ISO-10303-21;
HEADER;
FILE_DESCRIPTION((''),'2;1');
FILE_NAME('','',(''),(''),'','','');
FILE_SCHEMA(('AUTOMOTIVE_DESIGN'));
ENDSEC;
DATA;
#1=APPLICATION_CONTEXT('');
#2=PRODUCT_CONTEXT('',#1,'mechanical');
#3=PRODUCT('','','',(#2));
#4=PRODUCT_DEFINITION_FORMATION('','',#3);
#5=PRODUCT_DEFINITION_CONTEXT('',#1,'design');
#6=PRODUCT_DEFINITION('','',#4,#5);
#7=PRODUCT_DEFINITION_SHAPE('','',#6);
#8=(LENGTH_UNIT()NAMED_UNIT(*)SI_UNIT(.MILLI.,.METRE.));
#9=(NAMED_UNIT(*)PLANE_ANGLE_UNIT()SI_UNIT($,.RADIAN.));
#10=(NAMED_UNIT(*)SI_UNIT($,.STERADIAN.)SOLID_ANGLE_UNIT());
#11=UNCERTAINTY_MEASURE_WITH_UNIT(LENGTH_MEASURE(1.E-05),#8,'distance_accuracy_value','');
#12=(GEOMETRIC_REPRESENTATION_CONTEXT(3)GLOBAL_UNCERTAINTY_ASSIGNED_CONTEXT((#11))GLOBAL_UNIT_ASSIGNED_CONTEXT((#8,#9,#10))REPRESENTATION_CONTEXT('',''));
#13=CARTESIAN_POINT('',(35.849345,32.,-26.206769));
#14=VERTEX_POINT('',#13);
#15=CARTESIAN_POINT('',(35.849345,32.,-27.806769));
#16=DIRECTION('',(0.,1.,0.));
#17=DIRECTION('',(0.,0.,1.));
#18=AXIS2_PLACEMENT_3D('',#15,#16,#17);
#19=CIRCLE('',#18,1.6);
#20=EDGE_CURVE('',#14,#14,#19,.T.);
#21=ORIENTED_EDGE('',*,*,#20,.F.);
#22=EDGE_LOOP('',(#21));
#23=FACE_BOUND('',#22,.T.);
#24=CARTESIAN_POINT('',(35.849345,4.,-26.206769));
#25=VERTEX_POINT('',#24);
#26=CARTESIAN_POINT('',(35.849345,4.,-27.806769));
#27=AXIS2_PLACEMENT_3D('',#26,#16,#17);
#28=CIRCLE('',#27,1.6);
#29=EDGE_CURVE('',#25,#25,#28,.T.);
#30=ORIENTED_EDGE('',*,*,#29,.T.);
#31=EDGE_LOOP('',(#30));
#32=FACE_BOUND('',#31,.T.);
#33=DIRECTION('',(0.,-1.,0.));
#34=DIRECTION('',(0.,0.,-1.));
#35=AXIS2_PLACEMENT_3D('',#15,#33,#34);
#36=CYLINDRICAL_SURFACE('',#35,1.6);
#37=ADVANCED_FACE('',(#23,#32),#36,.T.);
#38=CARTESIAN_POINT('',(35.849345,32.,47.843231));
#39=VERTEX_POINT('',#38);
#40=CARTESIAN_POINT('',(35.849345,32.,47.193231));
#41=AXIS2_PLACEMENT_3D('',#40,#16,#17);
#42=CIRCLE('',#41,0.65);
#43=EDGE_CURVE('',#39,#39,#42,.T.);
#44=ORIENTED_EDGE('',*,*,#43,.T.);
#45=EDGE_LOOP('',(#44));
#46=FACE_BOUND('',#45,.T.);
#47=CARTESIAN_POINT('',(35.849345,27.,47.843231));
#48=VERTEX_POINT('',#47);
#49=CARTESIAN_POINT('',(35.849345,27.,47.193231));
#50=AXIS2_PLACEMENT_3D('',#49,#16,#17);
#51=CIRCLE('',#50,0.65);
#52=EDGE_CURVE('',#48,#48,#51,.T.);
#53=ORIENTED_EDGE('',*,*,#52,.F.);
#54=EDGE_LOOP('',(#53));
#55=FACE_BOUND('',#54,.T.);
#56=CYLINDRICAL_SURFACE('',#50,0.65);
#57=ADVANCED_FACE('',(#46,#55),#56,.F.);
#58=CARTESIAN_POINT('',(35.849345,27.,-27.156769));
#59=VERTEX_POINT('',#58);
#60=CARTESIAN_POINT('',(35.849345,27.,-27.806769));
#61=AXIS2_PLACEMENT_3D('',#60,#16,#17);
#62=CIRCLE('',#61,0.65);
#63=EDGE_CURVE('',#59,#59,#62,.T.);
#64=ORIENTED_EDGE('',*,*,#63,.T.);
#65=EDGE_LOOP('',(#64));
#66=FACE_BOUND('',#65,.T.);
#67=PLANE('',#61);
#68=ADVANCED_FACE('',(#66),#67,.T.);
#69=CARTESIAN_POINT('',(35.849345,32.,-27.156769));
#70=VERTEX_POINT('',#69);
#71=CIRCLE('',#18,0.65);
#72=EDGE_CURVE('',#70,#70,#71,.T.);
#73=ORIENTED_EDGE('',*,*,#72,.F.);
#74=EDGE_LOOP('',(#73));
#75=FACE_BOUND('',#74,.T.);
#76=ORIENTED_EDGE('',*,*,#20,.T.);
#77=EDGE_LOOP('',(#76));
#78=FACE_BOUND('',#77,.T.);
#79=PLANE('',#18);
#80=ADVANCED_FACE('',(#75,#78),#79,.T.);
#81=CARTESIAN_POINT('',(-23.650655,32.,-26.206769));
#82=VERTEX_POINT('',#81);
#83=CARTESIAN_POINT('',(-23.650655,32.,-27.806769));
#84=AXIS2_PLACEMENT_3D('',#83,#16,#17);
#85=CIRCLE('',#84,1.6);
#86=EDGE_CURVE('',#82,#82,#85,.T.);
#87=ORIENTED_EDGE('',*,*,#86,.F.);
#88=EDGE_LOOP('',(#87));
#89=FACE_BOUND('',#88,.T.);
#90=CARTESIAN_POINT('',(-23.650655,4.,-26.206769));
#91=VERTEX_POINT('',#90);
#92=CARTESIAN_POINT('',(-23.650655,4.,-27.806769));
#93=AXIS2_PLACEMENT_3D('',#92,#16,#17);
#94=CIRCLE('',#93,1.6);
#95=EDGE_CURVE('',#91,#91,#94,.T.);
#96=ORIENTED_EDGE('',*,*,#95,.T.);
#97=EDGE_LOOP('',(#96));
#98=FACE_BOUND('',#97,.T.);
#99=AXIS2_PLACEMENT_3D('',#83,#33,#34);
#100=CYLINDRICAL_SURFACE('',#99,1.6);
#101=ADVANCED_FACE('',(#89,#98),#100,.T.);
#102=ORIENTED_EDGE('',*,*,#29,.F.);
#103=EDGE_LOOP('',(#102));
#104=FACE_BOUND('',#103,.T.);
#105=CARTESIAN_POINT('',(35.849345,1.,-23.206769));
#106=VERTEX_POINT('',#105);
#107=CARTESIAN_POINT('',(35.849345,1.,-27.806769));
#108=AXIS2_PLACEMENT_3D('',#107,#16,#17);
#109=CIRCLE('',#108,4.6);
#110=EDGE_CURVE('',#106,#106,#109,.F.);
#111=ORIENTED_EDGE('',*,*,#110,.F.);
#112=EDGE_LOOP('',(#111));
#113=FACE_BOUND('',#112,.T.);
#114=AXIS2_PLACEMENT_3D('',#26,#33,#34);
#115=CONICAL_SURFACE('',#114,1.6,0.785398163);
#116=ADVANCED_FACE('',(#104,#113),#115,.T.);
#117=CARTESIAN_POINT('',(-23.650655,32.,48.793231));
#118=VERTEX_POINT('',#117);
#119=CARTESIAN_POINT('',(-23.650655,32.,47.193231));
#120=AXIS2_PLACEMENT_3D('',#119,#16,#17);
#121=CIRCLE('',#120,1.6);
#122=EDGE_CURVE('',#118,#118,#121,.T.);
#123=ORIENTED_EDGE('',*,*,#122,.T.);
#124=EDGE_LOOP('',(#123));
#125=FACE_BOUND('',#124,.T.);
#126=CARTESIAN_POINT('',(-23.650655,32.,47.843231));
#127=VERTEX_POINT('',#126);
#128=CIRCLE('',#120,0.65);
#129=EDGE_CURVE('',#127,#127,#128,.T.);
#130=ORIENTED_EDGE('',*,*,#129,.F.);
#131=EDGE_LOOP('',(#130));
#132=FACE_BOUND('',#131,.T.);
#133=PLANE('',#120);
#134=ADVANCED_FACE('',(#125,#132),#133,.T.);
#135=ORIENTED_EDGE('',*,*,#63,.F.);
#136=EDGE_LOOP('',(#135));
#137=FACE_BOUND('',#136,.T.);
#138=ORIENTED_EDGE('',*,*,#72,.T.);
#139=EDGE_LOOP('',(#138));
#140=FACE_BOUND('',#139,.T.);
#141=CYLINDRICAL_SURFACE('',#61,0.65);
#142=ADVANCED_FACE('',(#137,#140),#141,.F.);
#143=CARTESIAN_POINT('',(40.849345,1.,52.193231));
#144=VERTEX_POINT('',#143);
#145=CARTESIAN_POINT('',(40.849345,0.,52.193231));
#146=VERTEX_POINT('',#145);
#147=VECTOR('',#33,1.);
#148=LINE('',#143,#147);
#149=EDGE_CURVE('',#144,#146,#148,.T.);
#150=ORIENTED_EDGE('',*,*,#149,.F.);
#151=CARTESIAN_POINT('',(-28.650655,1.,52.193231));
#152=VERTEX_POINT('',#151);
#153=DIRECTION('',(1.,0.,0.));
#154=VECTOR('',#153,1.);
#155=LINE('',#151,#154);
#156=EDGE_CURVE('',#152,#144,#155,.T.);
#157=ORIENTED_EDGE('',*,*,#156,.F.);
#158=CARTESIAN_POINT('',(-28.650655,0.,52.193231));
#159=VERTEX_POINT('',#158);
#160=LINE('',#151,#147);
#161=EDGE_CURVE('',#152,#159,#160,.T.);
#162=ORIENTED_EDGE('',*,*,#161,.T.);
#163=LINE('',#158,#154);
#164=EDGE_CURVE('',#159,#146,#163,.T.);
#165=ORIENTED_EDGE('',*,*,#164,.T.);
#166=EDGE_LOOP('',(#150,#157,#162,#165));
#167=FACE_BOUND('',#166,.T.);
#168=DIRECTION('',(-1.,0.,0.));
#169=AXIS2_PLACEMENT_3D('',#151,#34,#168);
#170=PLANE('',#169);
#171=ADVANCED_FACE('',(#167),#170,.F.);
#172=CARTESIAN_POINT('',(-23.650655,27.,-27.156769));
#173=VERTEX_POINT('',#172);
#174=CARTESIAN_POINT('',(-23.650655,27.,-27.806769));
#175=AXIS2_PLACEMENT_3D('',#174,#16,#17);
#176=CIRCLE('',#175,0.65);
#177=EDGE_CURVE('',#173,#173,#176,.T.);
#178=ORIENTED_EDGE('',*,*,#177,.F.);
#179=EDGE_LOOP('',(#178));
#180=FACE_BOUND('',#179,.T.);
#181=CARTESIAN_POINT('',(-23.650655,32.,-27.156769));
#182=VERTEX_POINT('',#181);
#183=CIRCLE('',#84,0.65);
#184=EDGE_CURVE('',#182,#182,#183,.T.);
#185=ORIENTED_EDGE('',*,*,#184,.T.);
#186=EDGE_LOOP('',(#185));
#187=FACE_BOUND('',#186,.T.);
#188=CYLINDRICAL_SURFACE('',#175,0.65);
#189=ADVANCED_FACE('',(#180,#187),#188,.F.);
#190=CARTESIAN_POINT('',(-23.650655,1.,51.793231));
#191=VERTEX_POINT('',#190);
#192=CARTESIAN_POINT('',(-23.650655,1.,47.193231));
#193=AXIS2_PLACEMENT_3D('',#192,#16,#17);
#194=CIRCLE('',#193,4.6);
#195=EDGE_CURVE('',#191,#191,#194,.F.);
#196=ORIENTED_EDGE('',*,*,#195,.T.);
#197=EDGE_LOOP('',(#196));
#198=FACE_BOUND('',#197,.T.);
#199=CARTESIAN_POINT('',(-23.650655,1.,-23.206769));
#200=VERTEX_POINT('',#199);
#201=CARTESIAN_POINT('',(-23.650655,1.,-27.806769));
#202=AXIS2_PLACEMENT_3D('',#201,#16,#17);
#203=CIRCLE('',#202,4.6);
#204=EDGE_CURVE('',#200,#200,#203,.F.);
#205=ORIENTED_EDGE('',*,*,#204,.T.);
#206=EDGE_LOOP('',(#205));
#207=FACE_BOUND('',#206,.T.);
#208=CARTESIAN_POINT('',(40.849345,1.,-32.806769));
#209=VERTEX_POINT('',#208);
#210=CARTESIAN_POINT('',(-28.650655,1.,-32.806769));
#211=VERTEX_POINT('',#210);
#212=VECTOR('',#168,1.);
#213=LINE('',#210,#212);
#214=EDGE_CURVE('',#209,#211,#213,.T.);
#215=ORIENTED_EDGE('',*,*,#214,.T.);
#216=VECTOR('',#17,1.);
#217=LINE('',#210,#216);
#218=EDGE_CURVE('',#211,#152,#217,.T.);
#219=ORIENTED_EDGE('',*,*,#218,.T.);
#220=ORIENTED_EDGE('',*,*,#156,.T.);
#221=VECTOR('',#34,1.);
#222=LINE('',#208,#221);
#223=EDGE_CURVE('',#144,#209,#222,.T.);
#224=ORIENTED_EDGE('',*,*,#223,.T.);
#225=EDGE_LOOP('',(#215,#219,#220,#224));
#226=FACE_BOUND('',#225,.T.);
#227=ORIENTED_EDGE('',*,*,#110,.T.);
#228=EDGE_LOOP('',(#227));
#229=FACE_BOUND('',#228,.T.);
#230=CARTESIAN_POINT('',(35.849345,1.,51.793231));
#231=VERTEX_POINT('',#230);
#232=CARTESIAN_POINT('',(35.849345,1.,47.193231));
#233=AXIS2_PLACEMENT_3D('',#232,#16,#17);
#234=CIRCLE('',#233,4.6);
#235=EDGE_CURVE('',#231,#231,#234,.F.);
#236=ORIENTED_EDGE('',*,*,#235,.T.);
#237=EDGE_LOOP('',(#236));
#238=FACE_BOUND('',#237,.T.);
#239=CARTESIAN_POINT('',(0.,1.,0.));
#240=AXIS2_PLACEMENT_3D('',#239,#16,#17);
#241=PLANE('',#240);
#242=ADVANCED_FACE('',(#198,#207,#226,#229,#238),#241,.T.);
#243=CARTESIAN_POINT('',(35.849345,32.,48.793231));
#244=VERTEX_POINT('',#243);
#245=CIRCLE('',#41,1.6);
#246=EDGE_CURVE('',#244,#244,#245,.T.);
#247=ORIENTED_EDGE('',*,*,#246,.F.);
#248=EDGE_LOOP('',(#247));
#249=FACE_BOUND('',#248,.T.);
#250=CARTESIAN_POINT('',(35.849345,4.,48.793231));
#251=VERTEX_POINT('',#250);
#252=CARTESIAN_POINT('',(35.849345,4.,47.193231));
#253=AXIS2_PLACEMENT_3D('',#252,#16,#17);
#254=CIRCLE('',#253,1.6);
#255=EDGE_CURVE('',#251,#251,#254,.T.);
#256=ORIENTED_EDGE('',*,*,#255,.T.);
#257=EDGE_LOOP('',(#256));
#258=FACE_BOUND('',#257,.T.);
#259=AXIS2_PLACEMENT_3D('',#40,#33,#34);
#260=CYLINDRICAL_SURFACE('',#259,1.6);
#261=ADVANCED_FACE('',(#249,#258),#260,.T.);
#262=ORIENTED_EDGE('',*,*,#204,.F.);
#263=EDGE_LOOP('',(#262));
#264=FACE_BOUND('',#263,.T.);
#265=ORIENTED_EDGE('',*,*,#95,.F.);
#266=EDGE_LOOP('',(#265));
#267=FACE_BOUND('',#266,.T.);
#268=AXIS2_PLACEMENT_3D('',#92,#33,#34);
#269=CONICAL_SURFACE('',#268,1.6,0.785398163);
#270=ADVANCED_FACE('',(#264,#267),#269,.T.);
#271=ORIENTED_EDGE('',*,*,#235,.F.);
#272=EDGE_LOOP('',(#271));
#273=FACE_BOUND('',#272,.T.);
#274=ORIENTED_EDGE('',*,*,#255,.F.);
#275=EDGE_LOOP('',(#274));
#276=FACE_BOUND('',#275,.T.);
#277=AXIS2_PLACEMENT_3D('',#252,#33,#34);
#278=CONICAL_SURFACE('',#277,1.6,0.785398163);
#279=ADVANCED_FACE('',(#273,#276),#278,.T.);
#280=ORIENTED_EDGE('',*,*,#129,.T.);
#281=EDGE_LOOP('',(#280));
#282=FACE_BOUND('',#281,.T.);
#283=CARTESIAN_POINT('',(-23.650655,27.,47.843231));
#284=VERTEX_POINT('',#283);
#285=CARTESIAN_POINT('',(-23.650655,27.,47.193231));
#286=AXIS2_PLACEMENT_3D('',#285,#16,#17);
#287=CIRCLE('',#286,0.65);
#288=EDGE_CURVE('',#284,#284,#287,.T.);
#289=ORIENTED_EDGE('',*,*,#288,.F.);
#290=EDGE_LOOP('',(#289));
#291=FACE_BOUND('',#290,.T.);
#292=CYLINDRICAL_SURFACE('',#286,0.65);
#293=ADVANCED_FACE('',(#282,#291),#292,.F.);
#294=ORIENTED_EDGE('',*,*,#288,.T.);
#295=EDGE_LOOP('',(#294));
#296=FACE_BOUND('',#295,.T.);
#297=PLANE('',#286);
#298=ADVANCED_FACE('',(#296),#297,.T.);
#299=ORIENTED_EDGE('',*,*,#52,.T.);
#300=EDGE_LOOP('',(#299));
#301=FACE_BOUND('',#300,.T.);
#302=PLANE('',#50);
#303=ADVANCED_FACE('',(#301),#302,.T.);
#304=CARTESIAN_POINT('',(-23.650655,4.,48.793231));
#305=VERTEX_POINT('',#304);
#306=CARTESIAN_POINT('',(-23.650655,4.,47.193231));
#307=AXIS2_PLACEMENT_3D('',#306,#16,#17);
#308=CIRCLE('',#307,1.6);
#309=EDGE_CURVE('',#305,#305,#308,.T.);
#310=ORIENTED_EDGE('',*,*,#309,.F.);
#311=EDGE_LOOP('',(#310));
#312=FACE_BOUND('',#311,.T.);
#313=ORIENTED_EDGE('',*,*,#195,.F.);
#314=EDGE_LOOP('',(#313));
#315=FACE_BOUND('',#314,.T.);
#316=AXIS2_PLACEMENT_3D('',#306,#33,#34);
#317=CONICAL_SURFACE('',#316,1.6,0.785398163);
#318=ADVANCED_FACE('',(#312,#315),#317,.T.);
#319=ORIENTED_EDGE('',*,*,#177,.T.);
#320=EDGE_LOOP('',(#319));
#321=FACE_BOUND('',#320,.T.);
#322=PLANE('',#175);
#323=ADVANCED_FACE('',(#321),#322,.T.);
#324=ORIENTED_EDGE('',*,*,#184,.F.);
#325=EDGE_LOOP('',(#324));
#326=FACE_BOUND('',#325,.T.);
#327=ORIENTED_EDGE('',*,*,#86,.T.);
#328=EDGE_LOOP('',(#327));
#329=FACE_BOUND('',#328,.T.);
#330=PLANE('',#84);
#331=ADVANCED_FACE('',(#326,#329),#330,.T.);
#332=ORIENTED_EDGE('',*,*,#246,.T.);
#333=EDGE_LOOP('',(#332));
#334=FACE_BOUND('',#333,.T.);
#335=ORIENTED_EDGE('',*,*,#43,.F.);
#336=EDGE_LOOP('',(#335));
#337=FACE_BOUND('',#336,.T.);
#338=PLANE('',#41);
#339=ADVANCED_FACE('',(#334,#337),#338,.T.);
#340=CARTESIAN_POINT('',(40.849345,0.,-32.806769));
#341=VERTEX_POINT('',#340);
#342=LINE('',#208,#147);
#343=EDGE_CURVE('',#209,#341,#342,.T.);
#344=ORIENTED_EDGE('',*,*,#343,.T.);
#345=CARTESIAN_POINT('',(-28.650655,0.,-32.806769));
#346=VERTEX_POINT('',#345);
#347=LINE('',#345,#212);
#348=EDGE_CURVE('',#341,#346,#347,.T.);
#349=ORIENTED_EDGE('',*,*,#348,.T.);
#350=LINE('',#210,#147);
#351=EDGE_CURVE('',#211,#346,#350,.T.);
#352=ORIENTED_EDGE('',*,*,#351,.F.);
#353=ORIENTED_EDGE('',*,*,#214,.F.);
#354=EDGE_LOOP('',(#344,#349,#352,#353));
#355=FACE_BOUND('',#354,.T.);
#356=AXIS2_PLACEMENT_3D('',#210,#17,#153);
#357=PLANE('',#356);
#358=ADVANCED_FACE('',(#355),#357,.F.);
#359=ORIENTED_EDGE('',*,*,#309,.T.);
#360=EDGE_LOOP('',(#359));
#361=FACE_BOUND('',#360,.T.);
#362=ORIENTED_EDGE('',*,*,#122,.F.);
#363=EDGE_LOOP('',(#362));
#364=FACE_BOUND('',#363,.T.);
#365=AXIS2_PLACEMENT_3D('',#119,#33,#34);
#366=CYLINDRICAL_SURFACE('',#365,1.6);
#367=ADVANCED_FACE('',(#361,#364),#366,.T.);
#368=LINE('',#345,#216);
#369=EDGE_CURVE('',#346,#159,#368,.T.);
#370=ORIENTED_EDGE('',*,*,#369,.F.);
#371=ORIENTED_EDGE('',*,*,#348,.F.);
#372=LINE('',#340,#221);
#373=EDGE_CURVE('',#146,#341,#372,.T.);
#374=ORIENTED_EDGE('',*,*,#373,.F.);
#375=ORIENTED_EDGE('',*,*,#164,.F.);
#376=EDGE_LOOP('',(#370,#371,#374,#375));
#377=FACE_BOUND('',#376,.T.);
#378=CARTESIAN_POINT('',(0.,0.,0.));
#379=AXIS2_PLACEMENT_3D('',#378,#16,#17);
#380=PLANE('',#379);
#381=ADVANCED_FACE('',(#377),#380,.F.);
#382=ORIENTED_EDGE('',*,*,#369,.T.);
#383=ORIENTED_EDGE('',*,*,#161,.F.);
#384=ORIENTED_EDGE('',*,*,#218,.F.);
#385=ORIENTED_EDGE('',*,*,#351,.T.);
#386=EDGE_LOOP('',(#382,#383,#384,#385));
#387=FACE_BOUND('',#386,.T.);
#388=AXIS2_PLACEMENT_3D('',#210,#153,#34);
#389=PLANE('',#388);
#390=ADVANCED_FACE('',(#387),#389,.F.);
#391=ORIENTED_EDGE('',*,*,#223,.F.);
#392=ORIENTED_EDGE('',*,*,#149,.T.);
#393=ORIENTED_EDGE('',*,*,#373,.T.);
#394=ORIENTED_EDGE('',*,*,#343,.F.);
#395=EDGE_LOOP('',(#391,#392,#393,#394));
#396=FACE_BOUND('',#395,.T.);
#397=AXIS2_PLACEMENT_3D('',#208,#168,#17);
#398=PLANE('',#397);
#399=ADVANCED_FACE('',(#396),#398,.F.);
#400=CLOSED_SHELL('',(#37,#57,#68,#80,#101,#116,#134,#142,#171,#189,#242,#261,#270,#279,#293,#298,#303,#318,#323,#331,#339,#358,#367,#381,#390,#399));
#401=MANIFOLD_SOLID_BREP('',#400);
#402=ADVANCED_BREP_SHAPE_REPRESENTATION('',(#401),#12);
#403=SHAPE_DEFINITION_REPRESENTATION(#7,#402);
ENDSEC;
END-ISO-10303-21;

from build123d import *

# Parameters (mm, degrees)
SKETCH_1_W          = 69.5
SKETCH_1_H          = 85
EXTRUDE_1_DEPTH     = 1
SKETCH_2_R          = 1.6
EXTRUDE_2_DEPTH     = 31
SKETCH_3_R          = 0.65
CUT_EXTRUDE_1_DEPTH = 5
CHAMFER_1_SIZE      = 3


with BuildPart() as part:
    # Эскиз1 → Бобышка-Вытянуть1 (new body)
    with BuildSketch(Plane(origin=(0, 0, 0), x_dir=(1, 0, 0), z_dir=(0, 1, 0))):
        with Locations((6.099344978, -9.693231441)):
            Rectangle(SKETCH_1_W, SKETCH_1_H)
    extrude(amount=EXTRUDE_1_DEPTH)

    # Эскиз2 → Бобышка-Вытянуть2 (add)
    with BuildSketch(Plane(origin=(0, 1, 0), x_dir=(1, 0, 0), z_dir=(0, 1, 0))):
        with Locations((-23.650655022, 27.806768559)):
            Circle(SKETCH_2_R)
        with Locations((35.849344978, 27.806768559)):
            Circle(SKETCH_2_R)
        with Locations((35.849344978, -47.193231441)):
            Circle(SKETCH_2_R)
        with Locations((-23.650655022, -47.193231441)):
            Circle(SKETCH_2_R)
    extrude(amount=EXTRUDE_2_DEPTH)

    # Эскиз3 → Вырез-Вытянуть1 (cut)
    with BuildSketch(Plane(origin=(0, 32, 0), x_dir=(1, 0, 0), z_dir=(0, 1, 0))):
        with Locations((-23.650655022, -47.193231441)):
            Circle(SKETCH_3_R)
        with Locations((35.849344978, -47.193231441)):
            Circle(SKETCH_3_R)
        with Locations((35.849344978, 27.806768559)):
            Circle(SKETCH_3_R)
        with Locations((-23.650655022, 27.806768559)):
            Circle(SKETCH_3_R)
    extrude(amount=-CUT_EXTRUDE_1_DEPTH, mode=Mode.SUBTRACT)

    # Фаска1
    chamfer_1_edges = [part.edges().sort_by_distance(p)[0] for p in [
        (-25.250655022, 1, -27.806768559),
        (34.249344978, 1, -27.806768559),
        (34.249344978, 1, 47.193231441),
        (-25.250655022, 1, 47.193231441),
    ]]
    chamfer(chamfer_1_edges, length=CHAMFER_1_SIZE)


solid = part.part
